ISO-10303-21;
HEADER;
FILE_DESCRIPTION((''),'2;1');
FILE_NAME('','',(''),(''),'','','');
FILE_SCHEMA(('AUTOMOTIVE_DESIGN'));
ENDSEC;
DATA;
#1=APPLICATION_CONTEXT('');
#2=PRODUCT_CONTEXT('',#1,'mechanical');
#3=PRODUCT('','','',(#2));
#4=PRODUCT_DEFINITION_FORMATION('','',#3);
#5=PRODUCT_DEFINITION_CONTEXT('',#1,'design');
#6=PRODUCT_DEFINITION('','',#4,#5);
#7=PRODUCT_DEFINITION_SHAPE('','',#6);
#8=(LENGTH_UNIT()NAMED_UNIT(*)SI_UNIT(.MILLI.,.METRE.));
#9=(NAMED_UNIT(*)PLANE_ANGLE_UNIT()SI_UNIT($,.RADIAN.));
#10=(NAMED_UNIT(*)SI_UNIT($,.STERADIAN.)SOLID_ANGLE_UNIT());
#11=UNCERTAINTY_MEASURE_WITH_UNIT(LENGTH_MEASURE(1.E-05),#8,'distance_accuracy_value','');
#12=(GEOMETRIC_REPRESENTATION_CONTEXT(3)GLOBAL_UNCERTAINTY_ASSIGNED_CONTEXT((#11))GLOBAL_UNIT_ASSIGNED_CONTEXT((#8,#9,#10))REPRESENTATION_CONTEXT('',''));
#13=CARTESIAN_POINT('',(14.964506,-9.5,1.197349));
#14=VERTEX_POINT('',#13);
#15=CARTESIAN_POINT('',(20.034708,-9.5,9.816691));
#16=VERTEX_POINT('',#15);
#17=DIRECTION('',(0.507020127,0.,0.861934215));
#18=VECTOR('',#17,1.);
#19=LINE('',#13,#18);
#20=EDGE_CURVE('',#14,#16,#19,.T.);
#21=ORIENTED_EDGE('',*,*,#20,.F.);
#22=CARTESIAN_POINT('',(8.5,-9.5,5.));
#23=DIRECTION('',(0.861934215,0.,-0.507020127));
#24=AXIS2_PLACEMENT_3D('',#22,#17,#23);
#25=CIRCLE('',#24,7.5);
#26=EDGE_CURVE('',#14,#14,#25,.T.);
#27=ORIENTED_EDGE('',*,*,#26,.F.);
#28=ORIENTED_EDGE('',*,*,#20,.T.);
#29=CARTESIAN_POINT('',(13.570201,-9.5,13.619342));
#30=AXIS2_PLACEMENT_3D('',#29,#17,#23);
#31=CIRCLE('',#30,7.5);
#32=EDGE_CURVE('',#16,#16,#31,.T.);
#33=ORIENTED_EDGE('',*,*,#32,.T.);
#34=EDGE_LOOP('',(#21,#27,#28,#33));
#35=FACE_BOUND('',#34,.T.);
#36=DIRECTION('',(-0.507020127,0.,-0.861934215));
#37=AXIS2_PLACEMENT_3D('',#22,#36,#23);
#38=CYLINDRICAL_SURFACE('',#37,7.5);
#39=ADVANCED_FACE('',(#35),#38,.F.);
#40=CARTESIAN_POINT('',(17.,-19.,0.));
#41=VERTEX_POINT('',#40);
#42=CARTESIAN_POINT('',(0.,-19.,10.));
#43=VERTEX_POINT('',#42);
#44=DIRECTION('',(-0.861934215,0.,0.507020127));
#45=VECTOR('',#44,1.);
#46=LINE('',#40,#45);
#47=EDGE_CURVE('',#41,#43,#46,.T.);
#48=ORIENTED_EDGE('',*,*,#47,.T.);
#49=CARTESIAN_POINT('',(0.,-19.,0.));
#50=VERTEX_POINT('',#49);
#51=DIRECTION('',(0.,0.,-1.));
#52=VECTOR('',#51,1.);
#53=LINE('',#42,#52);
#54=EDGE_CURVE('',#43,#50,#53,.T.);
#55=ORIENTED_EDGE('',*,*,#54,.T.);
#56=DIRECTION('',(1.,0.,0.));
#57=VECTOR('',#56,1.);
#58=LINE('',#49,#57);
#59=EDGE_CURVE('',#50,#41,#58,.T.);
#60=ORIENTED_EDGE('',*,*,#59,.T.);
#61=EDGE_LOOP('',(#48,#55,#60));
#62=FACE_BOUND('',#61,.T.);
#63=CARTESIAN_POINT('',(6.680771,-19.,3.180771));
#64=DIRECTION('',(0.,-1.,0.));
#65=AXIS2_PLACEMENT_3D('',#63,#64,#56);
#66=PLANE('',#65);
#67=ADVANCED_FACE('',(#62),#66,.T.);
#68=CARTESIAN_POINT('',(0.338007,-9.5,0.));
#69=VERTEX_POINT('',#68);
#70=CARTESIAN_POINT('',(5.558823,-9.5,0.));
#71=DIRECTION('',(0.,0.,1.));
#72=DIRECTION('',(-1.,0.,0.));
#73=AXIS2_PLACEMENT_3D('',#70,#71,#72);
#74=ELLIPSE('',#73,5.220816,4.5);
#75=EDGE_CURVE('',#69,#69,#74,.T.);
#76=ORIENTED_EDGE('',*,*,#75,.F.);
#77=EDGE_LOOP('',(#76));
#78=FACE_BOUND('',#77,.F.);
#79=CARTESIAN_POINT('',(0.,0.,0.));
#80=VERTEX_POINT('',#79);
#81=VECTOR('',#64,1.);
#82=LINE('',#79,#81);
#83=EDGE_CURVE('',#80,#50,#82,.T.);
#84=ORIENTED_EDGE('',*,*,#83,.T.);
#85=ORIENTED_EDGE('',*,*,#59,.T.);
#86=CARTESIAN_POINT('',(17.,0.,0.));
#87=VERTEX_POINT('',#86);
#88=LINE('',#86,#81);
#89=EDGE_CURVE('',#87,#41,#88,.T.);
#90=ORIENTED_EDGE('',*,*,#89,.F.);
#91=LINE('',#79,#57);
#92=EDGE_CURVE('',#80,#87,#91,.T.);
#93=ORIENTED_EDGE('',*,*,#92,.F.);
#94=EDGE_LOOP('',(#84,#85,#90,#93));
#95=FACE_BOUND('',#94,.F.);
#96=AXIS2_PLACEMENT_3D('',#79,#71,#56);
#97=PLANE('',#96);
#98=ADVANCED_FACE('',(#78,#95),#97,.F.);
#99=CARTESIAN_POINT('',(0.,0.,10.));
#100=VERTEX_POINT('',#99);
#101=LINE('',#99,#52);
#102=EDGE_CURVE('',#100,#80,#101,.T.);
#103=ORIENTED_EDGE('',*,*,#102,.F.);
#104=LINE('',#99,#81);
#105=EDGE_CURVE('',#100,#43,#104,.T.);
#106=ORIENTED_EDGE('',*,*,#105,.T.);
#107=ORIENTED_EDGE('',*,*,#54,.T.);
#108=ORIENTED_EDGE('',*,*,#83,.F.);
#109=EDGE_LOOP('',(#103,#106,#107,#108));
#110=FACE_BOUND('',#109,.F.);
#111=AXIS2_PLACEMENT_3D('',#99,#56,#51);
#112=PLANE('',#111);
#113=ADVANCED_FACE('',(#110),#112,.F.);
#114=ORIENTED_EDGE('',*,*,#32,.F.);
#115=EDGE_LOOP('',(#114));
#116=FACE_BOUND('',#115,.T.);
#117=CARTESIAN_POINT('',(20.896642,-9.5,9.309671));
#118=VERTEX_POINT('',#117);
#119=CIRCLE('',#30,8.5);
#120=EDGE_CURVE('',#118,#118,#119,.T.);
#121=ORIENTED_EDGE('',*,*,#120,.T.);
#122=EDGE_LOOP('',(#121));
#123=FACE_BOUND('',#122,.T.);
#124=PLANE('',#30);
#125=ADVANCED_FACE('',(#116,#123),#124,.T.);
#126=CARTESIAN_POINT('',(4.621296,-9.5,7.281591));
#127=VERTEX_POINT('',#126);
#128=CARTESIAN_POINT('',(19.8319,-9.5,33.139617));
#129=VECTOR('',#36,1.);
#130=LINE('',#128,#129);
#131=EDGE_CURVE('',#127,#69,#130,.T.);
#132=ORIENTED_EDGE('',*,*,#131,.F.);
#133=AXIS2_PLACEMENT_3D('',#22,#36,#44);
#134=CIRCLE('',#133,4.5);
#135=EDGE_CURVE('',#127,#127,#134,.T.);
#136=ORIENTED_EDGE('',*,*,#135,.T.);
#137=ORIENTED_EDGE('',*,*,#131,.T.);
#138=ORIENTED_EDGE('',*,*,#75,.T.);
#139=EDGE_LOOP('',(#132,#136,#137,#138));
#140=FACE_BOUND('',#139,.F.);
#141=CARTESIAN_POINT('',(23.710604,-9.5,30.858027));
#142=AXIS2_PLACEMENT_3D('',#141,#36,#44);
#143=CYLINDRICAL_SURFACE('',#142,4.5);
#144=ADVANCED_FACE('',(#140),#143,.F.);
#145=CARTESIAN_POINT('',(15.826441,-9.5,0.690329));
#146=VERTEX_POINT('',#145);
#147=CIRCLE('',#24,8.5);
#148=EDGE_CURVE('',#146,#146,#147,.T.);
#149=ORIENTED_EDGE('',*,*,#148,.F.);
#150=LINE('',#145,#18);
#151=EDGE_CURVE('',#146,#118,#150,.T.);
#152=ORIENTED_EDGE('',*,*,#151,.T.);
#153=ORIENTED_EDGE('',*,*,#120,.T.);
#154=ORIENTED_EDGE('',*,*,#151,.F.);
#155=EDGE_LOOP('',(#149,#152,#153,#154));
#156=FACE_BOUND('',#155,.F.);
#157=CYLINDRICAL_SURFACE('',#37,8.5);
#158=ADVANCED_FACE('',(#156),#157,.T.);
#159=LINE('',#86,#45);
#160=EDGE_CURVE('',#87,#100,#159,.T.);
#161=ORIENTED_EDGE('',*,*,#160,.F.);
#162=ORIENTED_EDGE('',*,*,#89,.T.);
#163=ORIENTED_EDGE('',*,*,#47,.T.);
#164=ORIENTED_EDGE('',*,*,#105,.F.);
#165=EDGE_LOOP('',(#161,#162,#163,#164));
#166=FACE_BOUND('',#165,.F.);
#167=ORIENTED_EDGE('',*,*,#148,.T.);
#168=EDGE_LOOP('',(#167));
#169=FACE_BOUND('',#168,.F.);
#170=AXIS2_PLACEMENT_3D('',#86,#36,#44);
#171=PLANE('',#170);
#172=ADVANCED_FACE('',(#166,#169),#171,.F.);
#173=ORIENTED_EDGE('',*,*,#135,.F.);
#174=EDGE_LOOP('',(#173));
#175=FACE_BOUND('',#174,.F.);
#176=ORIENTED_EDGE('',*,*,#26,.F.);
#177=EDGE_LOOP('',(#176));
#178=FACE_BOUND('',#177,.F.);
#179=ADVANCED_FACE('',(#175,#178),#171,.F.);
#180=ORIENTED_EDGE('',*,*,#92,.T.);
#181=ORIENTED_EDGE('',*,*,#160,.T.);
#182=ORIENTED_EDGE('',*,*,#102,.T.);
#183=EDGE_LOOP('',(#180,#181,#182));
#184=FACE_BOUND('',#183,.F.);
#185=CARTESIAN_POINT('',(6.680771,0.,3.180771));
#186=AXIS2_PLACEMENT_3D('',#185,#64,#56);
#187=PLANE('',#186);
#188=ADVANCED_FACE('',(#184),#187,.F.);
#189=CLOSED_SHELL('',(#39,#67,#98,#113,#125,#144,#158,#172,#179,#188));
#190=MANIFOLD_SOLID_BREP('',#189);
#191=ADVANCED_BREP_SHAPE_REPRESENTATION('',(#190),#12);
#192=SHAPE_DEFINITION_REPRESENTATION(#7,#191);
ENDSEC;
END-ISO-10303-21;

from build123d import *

# Parameters (mm, degrees)
F1_DEPTH = 19
F3_D     = 9
F3_DEPTH = 30
F2_R     = 8.5
F2_R_2   = 7.5
F4_DEPTH = 10


with BuildPart() as f1:
    # F0 (on Front) → F1 (new body)
    with BuildSketch(Plane.XZ):
        Polygon((0, 10), (0, 0), (17, 0), align=None)
    extrude(amount=F1_DEPTH)

    # F3
    with Locations(Plane(origin=(4.37018, 0, 7.429306), x_dir=(0.861934, 0, -0.50702), z_dir=(0.50702, 0, 0.861934))):
        with Locations((4.79134, -9.5)):
            Hole(F3_D / 2, depth=F3_DEPTH)

    # F2 (on face) → F4 (join)
    with BuildSketch(Plane(origin=(4.37018, 0, 7.429306), x_dir=(0.861934, 0, -0.50702), z_dir=(0.50702, 0, 0.861934))):
        with Locations((4.79134, -9.5)):
            Circle(F2_R)
        with Locations((4.79134, -9.5)):
            Circle(F2_R_2, mode=Mode.SUBTRACT)
    extrude(amount=F4_DEPTH)


solid = f1.part
